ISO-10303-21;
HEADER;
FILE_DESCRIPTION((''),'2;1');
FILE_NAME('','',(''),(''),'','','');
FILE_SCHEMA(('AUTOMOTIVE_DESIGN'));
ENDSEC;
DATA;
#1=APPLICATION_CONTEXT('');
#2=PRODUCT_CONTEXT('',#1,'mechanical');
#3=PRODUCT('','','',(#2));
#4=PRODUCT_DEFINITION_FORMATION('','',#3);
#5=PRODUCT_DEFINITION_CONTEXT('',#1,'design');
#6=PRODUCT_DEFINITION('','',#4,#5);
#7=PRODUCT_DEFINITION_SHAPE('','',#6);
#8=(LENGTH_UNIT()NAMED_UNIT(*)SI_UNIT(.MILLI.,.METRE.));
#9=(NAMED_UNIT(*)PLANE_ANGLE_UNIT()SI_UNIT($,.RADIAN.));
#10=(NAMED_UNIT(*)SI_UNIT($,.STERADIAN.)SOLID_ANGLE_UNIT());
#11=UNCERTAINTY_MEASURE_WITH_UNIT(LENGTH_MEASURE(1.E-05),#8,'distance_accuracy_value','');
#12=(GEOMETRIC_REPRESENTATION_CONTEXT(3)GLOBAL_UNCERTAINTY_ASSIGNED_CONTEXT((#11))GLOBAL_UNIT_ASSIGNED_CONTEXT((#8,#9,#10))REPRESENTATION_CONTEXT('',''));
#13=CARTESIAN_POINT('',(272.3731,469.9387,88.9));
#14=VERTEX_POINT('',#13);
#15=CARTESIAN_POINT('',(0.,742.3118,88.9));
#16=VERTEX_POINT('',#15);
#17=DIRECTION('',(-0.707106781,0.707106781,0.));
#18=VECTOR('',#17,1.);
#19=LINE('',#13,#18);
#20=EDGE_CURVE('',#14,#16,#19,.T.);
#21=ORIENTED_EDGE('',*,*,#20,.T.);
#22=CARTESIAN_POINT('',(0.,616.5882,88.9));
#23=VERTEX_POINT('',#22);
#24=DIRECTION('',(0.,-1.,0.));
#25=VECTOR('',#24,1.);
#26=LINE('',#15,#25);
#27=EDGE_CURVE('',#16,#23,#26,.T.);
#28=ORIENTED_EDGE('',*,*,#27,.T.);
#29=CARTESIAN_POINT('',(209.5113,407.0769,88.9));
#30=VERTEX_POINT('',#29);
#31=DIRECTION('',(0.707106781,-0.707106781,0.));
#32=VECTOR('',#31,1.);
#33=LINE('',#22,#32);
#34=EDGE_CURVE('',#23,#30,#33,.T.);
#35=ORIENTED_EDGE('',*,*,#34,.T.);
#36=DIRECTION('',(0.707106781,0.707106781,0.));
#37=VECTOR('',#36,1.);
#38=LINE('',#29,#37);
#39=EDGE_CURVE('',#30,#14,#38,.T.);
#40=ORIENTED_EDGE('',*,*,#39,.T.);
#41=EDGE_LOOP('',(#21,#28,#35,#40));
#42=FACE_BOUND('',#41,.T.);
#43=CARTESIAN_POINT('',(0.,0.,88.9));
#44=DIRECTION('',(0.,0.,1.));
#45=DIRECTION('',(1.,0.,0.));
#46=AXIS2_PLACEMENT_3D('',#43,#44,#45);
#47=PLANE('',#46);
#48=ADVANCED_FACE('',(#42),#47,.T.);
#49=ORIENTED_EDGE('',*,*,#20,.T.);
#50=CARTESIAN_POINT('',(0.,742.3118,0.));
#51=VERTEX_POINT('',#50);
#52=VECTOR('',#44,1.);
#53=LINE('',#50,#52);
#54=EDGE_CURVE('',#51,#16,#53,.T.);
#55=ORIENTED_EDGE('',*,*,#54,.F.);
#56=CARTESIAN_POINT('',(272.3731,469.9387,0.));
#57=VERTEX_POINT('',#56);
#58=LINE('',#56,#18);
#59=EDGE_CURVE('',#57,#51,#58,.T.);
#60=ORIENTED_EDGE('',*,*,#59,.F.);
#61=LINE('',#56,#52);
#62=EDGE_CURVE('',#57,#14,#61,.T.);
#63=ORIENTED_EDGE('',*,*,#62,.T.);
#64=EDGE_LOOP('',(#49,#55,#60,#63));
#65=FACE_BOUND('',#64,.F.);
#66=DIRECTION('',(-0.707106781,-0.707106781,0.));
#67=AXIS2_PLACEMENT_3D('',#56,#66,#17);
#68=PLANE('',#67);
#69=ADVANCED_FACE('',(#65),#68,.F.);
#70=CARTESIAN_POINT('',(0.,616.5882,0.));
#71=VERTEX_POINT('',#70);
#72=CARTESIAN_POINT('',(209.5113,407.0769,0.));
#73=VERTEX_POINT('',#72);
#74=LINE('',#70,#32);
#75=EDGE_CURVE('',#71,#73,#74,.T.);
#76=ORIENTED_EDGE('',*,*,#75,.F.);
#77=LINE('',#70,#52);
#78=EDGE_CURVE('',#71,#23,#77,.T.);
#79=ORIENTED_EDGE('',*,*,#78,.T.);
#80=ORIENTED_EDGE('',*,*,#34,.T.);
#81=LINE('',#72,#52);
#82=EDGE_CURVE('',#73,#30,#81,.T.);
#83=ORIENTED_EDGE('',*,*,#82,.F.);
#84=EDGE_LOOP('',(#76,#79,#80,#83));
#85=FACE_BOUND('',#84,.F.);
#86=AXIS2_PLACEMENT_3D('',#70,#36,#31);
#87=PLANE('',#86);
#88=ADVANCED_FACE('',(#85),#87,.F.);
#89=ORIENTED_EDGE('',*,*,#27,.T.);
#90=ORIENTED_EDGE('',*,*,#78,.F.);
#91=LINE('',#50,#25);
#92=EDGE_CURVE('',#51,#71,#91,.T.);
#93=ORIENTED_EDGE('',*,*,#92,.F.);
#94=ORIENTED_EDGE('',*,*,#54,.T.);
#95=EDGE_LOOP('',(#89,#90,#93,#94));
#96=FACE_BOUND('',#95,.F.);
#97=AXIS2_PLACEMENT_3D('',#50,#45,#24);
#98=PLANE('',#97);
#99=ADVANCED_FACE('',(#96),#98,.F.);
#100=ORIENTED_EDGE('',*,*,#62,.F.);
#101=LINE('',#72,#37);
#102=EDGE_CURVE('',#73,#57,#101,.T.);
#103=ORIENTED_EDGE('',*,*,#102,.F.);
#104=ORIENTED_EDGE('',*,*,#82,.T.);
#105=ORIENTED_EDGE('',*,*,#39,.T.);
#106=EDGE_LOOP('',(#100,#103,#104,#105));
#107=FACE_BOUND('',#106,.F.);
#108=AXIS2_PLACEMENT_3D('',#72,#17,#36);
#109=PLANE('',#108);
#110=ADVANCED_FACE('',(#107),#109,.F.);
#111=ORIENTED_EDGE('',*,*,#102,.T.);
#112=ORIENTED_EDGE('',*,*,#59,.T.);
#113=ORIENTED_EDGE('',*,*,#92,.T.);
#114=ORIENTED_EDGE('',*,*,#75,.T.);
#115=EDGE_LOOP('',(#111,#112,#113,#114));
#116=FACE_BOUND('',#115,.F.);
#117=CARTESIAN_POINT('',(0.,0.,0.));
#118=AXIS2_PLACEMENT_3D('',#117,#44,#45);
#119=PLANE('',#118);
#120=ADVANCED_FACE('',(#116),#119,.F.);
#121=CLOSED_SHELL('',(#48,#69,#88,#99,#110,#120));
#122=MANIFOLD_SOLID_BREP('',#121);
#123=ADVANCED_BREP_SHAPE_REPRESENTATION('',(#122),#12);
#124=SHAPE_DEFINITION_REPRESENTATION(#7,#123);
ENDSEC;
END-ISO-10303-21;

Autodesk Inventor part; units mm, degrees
ref_plane "YZ Plane" through (0, 0, 0) normal (1, 0, 0) x (0, 1, 0)
ref_plane "XZ Plane" through (0, 0, 0) normal (0, 1, 0) x (-1, 0, 0)
ref_plane "XY Plane" through (0, 0, 0) normal (0, 0, 1) x (1, 0, 0)
sketch "Sketch1" plane through (0, 0, 0) normal (0, 0, 1) x (1, 0, 0)
  line L0 (0, 0) -> (0, 197.5656) construction
  line L1 (0, 197.5656) -> (716.8344, 914.4) construction
  line L2 (716.8344, 914.4) -> (914.4, 914.4) construction
  line L3 (914.4, 914.4) -> (0, 0) construction
  line L4 (481.8844, 679.45) -> (679.45, 679.45) construction
  line L5 (0, 742.3118) -> (0, 616.5882)
  line L6 (0, 616.5882) -> (209.5113, 407.0769)
  line L7 (209.5113, 407.0769) -> (272.3731, 469.9387)
  line L8 (272.3731, 469.9387) -> (0, 742.3118)
  point P0 (0, 679.45)
  dimension "d0" = 45
  dimension "d1" = 914.4
  dimension "d2" = 139.7
  dimension "d3" = 234.95
  dimension "d4" = 45
  dimension "d5" = 88.9
extrude "Extrusion1" add sketch "Sketch1" along normal blind 88.9
properties part number "Angled Support Attachment"
